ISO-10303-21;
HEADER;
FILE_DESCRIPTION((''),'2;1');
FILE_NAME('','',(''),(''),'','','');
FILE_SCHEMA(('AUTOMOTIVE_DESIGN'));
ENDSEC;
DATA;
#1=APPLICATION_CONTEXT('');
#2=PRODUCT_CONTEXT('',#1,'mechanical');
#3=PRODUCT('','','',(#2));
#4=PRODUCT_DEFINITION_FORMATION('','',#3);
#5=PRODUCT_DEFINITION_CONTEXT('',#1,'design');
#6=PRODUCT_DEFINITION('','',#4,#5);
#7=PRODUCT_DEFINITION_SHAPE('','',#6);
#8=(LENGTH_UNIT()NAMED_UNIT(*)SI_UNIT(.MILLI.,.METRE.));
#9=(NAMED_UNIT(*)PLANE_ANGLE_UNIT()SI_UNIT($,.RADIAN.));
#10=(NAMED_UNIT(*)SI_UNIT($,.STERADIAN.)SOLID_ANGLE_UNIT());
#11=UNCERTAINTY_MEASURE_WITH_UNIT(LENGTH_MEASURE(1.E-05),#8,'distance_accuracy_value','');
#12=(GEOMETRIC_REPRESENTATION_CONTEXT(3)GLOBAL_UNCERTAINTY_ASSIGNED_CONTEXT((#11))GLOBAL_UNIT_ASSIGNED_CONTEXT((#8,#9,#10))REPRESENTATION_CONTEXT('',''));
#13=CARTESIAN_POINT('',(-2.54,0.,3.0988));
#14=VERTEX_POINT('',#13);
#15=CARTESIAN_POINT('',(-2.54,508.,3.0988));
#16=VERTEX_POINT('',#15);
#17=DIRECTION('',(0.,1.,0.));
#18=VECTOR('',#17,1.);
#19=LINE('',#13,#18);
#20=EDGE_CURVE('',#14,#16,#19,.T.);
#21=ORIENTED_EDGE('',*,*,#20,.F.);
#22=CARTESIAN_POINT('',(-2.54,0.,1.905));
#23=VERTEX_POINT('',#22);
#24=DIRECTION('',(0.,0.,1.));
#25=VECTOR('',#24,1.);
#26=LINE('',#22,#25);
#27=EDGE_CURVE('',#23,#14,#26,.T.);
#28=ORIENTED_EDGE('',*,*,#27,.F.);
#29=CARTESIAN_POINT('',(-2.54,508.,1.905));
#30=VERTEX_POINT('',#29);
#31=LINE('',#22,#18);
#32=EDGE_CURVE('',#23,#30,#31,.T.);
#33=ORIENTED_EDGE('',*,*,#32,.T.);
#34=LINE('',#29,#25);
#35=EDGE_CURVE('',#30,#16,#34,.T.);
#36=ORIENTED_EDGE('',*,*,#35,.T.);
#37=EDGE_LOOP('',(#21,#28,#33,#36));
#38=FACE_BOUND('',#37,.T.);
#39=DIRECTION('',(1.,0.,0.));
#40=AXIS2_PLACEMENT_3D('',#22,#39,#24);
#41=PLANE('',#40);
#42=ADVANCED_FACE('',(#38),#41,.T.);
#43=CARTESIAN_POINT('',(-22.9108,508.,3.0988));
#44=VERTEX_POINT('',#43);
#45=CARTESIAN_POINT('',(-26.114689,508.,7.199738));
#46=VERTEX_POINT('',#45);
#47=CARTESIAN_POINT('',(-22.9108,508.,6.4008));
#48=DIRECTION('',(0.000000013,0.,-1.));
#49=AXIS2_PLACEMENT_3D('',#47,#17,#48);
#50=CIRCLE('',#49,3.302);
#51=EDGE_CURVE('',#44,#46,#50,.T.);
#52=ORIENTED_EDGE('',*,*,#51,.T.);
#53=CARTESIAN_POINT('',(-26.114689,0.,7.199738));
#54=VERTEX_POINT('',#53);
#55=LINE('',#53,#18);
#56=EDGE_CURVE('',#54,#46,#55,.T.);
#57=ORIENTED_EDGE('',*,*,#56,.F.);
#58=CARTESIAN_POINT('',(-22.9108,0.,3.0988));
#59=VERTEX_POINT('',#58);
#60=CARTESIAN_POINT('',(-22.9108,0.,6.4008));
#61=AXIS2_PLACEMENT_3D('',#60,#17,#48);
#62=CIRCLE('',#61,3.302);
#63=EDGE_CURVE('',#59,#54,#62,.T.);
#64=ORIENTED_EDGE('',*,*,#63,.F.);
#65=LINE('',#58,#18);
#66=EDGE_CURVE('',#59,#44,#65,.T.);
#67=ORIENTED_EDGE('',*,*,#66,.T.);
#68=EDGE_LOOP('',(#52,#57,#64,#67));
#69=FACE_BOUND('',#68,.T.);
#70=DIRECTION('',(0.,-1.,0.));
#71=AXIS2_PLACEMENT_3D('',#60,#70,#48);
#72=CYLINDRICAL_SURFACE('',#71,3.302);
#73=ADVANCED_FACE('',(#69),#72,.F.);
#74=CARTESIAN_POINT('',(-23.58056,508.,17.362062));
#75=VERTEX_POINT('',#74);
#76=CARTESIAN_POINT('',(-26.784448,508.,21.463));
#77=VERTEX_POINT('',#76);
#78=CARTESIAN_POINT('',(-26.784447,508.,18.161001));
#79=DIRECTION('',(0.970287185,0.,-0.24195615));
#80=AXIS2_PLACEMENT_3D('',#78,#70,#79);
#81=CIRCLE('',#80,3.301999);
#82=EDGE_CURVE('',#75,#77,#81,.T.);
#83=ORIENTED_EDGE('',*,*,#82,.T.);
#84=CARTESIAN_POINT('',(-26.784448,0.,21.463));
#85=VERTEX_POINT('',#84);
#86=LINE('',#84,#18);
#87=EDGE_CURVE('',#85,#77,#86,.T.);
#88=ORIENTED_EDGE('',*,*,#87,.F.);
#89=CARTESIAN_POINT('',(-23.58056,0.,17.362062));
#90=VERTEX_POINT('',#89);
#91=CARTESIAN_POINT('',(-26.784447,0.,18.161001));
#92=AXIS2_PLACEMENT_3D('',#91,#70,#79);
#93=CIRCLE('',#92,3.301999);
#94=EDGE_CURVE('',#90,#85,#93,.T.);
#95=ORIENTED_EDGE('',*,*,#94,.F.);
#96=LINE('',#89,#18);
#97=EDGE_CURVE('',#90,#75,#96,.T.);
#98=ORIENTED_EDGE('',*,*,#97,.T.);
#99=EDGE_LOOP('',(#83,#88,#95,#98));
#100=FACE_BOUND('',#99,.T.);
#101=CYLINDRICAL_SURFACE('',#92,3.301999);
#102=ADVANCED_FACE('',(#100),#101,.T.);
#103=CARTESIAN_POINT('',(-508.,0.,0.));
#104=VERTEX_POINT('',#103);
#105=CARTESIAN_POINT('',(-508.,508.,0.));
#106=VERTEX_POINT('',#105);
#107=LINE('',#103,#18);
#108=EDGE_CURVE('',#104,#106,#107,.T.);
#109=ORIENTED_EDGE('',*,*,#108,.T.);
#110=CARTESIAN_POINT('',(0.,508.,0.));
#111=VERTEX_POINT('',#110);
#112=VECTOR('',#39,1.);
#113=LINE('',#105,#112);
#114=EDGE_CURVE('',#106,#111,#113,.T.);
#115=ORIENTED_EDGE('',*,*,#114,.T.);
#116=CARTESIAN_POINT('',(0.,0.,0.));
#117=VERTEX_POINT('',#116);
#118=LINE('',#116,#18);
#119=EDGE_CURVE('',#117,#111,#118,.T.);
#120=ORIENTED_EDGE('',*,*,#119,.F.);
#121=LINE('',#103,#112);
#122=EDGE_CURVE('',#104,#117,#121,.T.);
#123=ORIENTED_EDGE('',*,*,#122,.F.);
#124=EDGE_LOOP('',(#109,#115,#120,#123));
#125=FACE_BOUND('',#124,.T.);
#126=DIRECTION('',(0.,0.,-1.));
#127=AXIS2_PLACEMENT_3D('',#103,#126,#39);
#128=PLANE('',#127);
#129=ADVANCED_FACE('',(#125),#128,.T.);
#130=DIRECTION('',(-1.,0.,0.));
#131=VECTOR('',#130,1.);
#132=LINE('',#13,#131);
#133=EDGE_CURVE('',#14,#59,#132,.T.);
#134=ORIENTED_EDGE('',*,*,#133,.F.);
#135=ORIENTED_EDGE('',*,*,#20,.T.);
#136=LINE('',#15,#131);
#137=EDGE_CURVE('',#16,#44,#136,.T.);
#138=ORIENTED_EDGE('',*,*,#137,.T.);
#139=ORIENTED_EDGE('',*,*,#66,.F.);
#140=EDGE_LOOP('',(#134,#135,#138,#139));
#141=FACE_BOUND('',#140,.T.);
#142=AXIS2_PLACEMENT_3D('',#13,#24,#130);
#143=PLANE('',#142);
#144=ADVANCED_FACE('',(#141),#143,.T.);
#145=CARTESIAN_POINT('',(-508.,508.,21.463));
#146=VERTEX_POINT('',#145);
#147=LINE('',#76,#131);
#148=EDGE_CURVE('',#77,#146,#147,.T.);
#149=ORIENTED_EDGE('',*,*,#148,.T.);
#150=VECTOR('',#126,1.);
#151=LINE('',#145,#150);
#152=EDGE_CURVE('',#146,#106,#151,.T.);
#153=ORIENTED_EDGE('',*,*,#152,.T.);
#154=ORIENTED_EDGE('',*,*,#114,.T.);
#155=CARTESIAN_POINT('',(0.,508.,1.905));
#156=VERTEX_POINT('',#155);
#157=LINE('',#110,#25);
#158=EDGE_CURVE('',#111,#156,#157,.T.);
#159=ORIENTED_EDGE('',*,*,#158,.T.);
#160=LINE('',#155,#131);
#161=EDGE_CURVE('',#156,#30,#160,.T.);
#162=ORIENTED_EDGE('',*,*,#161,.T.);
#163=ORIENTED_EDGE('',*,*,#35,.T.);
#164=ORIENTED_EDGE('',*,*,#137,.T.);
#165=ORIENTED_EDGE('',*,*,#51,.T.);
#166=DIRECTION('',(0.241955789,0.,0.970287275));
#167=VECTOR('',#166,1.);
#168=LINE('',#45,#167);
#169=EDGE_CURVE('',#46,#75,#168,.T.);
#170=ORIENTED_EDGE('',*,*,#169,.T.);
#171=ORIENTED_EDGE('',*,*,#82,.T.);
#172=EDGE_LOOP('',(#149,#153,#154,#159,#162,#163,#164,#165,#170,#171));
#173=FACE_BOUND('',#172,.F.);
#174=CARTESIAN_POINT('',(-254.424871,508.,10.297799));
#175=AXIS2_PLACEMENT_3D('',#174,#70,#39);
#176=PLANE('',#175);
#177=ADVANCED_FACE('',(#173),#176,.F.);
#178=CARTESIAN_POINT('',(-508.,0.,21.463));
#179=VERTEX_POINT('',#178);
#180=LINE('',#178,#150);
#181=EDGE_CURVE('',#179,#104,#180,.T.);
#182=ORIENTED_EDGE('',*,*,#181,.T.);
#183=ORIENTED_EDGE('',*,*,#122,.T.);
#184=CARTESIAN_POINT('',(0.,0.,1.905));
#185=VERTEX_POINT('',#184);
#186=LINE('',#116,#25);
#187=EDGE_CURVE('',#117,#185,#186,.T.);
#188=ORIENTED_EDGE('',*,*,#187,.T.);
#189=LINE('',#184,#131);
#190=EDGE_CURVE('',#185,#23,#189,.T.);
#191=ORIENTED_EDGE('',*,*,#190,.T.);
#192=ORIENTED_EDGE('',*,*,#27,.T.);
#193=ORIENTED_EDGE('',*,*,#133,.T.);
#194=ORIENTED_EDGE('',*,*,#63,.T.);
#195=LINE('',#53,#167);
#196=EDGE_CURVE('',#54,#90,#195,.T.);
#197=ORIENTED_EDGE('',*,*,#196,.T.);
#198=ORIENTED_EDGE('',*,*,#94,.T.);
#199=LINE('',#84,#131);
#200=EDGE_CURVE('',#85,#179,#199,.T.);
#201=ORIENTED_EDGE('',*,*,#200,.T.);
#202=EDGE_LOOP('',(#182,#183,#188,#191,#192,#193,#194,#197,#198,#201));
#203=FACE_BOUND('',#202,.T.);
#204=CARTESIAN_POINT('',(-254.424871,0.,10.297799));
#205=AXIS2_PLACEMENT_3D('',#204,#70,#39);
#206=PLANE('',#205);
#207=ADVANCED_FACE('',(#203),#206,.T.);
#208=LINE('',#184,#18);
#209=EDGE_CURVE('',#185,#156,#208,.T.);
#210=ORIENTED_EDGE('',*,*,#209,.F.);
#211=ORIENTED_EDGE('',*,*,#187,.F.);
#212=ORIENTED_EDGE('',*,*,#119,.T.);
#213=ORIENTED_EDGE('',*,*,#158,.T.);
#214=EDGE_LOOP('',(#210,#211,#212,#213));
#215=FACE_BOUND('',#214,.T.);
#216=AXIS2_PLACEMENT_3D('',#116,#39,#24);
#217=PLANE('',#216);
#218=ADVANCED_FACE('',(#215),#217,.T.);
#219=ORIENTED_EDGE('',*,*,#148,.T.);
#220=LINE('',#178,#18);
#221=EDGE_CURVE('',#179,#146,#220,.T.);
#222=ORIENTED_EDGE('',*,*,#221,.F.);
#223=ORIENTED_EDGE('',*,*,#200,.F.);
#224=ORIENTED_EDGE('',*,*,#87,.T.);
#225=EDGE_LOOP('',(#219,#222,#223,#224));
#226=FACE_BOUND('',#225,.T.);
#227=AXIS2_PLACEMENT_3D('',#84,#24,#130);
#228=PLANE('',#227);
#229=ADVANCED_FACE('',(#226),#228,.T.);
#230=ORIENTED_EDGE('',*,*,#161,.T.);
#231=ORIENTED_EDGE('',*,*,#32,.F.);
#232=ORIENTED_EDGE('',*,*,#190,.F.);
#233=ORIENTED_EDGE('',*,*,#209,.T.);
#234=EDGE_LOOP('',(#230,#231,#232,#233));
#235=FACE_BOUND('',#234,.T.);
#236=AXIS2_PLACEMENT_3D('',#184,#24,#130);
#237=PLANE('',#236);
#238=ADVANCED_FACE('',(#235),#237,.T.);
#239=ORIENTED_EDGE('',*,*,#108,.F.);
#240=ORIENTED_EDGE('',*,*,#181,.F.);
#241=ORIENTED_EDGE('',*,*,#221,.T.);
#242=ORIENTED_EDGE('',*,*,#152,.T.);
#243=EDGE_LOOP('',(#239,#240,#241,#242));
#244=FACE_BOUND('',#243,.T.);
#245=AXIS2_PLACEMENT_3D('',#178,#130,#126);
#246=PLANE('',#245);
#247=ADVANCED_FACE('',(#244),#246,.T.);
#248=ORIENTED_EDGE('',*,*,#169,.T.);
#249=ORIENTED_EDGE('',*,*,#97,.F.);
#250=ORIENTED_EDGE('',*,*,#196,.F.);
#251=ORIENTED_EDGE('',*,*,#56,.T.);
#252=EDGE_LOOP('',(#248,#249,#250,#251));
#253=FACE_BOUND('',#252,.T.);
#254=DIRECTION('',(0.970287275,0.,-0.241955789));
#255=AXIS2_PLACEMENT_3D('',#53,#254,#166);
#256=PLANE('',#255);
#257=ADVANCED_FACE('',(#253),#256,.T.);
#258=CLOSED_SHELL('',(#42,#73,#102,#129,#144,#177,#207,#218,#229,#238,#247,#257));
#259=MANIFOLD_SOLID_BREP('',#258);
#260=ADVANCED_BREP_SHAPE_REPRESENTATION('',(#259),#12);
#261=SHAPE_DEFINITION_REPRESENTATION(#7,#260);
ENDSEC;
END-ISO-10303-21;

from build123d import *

# Parameters (mm, degrees)
F1_DEPTH = 508


with BuildPart() as f1:
    # F0 (on Front) → F1 (new body)
    with BuildSketch(Plane.XZ):
        with BuildLine():
            Line((-508, 0), (0, 0))
            Line((0, 0), (0, 1.905))
            Line((0, 1.905), (-2.54, 1.905))
            Line((-2.54, 1.905), (-2.54, 3.0988))
            Line((-2.54, 3.0988), (-22.9108, 3.0988))
            ThreePointArc((-22.9108, 3.0988), (-25.512847, 4.367931), (-26.114689, 7.199738))
            Line((-26.114689, 7.199738), (-23.58056, 17.362062))
            ThreePointArc((-23.58056, 17.362062), (-24.182401, 20.193869), (-26.784448, 21.463))
            Line((-26.784448, 21.463), (-508, 21.463))
            Line((-508, 21.463), (-508, 0))
        make_face()
    extrude(amount=-F1_DEPTH)


solid = f1.part
